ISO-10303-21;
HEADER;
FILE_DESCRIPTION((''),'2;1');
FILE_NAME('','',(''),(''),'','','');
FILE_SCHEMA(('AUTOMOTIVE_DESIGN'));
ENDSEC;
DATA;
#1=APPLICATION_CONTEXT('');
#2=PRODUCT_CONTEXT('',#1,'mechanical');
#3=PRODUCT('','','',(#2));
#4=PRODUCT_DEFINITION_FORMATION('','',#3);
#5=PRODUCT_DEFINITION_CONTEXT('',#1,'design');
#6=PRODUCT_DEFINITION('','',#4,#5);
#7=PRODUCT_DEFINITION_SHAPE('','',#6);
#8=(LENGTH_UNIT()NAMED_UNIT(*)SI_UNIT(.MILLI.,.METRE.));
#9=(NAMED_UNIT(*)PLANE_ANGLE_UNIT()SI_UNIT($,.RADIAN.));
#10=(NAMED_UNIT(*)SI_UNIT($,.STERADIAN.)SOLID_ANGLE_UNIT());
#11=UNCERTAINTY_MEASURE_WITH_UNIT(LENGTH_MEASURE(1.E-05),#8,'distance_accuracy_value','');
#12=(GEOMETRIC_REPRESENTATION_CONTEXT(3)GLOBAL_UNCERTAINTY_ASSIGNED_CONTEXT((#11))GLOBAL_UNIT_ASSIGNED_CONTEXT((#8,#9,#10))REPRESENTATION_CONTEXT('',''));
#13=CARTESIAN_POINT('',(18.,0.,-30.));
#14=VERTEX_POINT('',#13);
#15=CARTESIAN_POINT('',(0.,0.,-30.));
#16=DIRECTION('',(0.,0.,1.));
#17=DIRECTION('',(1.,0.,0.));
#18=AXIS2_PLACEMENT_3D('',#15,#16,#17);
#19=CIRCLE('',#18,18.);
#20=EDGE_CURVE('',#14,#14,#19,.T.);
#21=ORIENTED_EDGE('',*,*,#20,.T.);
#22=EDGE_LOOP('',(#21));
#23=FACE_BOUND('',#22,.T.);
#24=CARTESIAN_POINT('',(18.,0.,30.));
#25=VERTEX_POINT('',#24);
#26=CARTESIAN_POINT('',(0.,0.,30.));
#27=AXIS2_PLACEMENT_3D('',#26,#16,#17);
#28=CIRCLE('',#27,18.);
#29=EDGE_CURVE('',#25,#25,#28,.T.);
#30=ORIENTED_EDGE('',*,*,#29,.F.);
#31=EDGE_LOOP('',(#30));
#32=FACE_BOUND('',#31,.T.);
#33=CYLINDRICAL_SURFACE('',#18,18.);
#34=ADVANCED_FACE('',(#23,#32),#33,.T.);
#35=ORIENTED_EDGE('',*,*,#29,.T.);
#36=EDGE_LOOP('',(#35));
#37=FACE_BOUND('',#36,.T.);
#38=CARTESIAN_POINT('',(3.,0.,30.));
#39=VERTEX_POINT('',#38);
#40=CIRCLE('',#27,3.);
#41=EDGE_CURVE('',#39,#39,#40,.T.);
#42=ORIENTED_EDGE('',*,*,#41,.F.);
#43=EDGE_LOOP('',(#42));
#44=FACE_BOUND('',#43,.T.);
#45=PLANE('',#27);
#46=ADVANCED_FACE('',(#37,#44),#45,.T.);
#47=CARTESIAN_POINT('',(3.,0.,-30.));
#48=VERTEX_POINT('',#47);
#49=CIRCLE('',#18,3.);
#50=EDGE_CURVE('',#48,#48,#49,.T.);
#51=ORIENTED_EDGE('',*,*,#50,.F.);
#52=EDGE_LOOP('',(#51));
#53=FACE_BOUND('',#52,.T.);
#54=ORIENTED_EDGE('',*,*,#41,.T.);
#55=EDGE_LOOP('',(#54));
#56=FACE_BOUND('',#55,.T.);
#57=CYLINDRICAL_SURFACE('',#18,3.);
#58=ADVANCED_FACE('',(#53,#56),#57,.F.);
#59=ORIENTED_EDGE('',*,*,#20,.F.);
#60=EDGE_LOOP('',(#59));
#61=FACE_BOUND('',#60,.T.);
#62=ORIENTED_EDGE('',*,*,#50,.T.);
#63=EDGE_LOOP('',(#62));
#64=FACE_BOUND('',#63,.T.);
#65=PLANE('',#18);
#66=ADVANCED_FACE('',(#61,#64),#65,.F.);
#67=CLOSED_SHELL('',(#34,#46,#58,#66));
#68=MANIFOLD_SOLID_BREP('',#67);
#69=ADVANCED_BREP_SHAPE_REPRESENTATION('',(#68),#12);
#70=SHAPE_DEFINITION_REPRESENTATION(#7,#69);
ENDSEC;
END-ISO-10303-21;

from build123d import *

# Parameters (mm, degrees)
BOSS_EXTRUDE1_DEPTH      = 30
BOSS_EXTRUDE1_DEPTH_BACK = 30
SKETCH2_R                = 18
SKETCH3_R                = 3
CUT_EXTRUDE1_DEPTH       = 60


with BuildPart() as part:
    # Sketch2 → Boss-Extrude1 (new, two sides: drawn at the far end of the back side and taken through both)
    with BuildSketch(Plane.XY.offset(-BOSS_EXTRUDE1_DEPTH_BACK)):
        Circle(SKETCH2_R)
    extrude(amount=BOSS_EXTRUDE1_DEPTH + BOSS_EXTRUDE1_DEPTH_BACK)

    # Sketch3 → Cut-Extrude1 (cut)
    with BuildSketch(Plane.XY.offset(30)):
        Circle(SKETCH3_R)
    extrude(amount=-CUT_EXTRUDE1_DEPTH, mode=Mode.SUBTRACT)


solid = part.part
